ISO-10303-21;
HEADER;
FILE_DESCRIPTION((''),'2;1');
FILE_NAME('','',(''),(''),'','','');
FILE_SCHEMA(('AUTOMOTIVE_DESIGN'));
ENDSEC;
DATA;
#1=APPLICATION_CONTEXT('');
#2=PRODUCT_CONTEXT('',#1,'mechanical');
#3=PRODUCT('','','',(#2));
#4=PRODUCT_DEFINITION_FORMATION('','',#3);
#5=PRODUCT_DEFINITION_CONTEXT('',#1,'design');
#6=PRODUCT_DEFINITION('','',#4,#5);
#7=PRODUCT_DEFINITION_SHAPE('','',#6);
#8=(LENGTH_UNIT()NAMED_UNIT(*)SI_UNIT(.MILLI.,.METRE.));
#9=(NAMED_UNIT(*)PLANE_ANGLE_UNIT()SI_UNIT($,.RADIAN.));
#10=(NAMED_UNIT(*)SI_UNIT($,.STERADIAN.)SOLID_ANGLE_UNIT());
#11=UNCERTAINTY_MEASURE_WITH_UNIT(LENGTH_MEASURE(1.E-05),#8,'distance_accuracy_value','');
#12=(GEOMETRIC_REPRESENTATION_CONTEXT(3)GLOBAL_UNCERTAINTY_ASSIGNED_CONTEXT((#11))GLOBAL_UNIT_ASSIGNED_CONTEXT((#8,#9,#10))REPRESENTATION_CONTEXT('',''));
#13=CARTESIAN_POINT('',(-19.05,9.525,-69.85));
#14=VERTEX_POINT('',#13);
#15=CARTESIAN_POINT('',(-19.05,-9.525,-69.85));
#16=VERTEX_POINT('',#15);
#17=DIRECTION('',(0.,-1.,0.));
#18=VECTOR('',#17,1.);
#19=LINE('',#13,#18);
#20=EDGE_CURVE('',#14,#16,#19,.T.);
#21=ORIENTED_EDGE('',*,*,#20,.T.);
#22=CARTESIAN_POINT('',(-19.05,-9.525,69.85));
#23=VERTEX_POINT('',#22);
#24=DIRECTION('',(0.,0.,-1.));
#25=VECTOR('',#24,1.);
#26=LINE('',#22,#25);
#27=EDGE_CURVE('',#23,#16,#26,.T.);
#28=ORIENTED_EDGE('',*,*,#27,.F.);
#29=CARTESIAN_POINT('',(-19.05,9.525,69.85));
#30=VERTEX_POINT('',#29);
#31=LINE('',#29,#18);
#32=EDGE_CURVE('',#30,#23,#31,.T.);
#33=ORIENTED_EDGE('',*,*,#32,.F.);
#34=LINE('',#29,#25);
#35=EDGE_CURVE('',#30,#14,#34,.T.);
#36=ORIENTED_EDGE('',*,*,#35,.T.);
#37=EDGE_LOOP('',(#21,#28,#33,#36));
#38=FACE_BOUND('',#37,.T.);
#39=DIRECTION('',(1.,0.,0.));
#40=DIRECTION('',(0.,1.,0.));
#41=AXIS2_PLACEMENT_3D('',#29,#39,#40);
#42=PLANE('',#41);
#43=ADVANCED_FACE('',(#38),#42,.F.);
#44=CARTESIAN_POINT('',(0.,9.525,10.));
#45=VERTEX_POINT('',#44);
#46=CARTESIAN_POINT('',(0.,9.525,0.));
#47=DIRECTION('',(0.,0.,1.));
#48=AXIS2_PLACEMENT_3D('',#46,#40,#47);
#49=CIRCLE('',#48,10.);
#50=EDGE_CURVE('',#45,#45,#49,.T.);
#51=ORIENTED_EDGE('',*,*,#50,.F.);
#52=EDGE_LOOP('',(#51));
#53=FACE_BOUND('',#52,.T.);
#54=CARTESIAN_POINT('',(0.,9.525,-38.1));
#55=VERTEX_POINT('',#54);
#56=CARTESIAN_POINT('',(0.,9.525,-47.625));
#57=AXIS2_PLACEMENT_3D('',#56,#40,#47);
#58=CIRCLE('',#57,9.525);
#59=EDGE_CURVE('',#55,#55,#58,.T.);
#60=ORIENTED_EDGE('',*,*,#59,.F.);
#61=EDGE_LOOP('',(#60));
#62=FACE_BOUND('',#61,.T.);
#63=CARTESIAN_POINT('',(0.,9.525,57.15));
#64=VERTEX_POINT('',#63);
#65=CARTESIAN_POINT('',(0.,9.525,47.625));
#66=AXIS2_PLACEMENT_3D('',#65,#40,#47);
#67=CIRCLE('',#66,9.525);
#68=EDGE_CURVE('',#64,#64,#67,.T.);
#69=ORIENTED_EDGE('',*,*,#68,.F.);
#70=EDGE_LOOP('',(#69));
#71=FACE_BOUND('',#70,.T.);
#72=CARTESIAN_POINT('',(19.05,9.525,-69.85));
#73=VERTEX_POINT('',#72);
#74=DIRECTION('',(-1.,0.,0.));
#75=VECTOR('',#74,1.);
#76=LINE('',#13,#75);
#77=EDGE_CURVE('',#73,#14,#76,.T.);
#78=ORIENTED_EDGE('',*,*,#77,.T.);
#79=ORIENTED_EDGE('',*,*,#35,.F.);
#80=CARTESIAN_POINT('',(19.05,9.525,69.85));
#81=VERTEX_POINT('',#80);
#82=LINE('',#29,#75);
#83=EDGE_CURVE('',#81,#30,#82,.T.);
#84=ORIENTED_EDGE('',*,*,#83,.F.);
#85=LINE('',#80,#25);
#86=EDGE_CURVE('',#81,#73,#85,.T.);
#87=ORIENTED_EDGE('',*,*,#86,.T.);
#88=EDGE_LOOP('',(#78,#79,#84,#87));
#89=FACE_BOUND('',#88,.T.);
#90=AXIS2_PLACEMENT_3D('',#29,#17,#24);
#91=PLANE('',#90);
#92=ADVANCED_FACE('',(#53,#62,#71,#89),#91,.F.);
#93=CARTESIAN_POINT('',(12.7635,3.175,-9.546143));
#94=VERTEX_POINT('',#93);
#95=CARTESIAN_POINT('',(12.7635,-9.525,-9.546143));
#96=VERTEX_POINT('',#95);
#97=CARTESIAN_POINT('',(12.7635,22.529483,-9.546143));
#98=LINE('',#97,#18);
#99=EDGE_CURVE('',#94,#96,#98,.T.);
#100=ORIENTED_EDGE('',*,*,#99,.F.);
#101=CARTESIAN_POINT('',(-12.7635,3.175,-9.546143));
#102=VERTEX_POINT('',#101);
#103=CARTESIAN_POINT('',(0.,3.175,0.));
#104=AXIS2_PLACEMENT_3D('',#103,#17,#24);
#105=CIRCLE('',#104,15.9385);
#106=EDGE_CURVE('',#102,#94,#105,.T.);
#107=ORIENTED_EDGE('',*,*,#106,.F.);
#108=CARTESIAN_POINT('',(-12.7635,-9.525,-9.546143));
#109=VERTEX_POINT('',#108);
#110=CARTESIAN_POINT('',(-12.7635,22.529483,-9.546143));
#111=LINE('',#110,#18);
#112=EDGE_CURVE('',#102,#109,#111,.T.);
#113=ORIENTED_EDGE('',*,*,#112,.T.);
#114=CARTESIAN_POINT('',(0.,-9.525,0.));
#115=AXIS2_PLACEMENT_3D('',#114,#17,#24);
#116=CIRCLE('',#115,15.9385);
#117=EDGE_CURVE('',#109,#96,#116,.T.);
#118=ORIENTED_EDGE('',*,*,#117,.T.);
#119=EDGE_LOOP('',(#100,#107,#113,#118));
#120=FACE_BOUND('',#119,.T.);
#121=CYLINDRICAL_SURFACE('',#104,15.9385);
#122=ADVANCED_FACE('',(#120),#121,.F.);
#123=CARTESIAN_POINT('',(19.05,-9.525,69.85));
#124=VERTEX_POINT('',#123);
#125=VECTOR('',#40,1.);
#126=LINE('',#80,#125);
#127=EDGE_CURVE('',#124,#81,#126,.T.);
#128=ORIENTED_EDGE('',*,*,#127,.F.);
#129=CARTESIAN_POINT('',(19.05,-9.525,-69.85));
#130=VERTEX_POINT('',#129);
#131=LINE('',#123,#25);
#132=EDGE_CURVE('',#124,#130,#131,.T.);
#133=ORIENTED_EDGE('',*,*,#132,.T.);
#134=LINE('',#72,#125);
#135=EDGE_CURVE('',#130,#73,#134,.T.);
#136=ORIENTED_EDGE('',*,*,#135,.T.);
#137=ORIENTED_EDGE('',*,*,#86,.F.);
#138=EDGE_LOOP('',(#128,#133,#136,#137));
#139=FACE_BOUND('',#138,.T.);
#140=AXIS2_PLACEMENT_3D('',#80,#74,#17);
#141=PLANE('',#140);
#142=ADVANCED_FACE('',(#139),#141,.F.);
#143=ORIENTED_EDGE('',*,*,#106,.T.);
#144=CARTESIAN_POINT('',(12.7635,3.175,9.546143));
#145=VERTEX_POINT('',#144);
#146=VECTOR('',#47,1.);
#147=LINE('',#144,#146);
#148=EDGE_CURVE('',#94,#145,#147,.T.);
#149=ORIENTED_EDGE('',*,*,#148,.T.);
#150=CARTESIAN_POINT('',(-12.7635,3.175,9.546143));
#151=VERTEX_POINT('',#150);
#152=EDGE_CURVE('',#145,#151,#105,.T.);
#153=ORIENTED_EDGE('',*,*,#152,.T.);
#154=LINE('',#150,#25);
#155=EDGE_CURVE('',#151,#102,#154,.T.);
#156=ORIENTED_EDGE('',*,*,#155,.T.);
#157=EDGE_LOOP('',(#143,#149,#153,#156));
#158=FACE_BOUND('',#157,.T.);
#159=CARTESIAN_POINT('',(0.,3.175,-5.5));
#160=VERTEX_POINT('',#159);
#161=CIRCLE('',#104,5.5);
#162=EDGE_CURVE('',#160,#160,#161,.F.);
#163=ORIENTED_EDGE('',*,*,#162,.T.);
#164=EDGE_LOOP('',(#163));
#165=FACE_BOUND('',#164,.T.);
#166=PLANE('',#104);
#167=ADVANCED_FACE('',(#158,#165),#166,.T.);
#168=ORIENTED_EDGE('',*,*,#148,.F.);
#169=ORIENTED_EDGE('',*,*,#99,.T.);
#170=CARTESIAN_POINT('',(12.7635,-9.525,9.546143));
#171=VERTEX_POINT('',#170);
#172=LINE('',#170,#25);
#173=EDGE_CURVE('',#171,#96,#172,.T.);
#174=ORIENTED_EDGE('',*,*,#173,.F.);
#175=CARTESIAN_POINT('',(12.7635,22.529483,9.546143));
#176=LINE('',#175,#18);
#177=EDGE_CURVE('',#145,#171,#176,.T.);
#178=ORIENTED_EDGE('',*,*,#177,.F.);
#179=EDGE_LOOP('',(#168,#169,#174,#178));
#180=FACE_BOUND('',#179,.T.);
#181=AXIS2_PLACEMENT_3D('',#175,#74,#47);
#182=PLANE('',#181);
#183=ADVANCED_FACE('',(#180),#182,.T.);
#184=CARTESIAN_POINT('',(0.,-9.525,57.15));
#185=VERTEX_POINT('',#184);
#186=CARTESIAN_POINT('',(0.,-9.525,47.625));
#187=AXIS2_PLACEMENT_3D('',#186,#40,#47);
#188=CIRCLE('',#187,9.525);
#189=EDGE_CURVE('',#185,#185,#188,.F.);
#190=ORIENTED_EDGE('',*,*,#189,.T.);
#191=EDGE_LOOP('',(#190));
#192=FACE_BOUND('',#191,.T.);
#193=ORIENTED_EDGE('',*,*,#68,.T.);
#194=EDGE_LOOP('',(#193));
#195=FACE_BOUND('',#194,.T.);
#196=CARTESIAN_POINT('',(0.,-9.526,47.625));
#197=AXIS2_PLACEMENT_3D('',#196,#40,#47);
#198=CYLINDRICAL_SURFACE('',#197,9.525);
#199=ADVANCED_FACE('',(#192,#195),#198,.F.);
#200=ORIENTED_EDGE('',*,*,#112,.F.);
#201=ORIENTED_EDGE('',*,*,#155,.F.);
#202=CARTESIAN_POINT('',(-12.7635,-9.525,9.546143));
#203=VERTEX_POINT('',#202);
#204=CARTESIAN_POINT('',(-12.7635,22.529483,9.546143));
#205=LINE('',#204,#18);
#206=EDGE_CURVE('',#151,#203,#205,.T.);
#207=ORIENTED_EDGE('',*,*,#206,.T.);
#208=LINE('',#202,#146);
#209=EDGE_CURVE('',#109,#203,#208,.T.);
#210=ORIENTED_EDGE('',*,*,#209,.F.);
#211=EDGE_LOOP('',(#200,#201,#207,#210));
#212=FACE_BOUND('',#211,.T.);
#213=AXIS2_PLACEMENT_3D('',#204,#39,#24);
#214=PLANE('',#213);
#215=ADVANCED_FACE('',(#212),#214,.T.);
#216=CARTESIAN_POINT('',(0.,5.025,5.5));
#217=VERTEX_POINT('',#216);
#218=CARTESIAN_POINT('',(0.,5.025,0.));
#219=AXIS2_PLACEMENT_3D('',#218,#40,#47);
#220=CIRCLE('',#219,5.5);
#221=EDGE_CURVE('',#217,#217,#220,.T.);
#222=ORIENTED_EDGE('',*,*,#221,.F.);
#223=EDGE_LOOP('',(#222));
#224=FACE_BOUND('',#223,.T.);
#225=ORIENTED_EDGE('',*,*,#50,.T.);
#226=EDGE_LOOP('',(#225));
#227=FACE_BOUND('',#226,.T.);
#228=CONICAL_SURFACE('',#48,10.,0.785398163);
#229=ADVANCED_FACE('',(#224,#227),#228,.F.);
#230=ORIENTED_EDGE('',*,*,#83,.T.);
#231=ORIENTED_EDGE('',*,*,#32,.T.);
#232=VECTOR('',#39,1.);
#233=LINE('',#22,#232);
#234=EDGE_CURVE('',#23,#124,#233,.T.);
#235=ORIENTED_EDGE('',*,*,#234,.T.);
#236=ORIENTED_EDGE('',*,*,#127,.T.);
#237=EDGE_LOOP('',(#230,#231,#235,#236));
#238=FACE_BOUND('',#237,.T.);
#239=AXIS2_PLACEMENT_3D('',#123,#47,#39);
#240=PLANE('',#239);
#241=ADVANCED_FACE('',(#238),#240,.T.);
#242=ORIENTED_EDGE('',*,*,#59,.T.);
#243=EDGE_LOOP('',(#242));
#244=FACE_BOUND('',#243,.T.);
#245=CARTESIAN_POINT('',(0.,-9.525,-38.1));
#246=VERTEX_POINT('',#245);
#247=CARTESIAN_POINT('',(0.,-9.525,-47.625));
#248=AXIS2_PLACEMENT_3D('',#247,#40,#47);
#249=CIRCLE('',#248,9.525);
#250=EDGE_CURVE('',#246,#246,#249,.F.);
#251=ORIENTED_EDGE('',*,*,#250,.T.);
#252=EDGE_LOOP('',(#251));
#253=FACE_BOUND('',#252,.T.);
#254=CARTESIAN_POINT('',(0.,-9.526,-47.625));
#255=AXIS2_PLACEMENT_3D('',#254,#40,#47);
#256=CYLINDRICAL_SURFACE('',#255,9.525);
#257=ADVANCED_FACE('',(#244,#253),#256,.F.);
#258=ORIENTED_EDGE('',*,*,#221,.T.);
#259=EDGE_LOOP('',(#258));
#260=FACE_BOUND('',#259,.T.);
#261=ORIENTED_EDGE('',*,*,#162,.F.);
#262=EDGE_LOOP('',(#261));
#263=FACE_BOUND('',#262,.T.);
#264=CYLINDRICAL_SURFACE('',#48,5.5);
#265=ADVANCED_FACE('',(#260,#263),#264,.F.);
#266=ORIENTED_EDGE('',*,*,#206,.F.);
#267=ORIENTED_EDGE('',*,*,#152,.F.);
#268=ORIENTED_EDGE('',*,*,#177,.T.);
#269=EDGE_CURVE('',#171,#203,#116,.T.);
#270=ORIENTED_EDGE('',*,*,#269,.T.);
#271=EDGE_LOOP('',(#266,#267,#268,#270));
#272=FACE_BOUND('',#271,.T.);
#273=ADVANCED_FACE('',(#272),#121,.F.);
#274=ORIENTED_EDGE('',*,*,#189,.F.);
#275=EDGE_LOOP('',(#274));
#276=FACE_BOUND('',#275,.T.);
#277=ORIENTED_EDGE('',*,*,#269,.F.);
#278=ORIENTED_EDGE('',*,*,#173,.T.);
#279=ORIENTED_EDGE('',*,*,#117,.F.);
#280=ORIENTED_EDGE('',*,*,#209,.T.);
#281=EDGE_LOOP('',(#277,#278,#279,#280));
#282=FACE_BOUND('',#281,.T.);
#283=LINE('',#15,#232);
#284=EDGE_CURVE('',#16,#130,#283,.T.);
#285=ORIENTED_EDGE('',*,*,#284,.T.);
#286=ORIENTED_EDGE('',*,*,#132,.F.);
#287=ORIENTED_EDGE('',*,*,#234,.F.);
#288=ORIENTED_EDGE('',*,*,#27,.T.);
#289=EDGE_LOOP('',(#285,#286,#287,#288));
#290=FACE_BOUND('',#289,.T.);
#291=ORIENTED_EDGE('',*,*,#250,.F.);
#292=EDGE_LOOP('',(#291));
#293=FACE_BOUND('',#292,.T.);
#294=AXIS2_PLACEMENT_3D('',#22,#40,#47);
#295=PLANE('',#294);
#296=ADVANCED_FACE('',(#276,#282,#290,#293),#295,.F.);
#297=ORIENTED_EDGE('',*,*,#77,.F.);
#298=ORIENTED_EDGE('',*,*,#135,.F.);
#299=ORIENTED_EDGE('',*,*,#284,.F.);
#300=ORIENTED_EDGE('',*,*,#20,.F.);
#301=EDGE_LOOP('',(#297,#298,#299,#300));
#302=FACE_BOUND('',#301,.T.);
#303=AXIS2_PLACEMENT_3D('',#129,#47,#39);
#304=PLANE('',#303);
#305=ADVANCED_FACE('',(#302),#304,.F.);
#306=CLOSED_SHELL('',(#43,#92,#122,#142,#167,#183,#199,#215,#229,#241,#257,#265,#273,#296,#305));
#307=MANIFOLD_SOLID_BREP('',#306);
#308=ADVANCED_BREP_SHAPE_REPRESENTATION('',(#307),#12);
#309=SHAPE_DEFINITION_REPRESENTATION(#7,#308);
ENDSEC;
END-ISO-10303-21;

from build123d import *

# Parameters (mm, degrees)
SKETCH1_W                                        = 38.1
SKETCH1_H                                        = 19.05
EXTRUDE1_DEPTH                                   = 69.85
CUT_EXTRUDE1_REACH                               = 21.05
SKETCH2_R                                        = 9.525
CSK_FOR_M10_FLAT_HEAD_MACHINE_SCREW1_D           = 11
CSK_FOR_M10_FLAT_HEAD_MACHINE_SCREW1_DEPTH       = 29.464
CSK_FOR_M10_FLAT_HEAD_MACHINE_SCREW1_CSINK_D     = 20
CSK_FOR_M10_FLAT_HEAD_MACHINE_SCREW1_CSINK_ANGLE = 90
CSK_FOR_M10_FLAT_HEAD_MACHINE_SCREW1_TIP         = 3.304733405
SKETCH5_R                                        = 15.9385
CUT_EXTRUDE2_DEPTH                               = 12.7
BOSS_EXTRUDE1_DEPTH                              = 12.7


with BuildPart() as part:
    # Sketch1 → Extrude1 (new body, symmetric)
    with BuildSketch(Plane.XY):
        Rectangle(SKETCH1_W, SKETCH1_H)
    extrude(amount=EXTRUDE1_DEPTH, both=True)

    # Sketch2 → Cut-Extrude1 (cut, up to next)
    with BuildSketch(Plane(origin=(0, 9.525, 0), x_dir=(1, 0, 0), z_dir=(0, 1, 0)), mode=Mode.PRIVATE) as cut_extrude1_sk1:
        with Locations((0, 47.625)):
            Circle(SKETCH2_R)
    cut_extrude1_tool1 = extrude(cut_extrude1_sk1.sketch, amount=-CUT_EXTRUDE1_REACH, mode=Mode.PRIVATE) & part.part
    add(cut_extrude1_tool1.solids().sort_by_distance((0, 9.525, -47.625))[0], mode=Mode.SUBTRACT)
    # Sketch2 → Cut-Extrude1 (cut, up to next)
    with BuildSketch(Plane(origin=(0, 9.525, 0), x_dir=(1, 0, 0), z_dir=(0, 1, 0)), mode=Mode.PRIVATE) as cut_extrude1_sk2:
        with Locations((0, -47.625)):
            Circle(SKETCH2_R)
    cut_extrude1_tool2 = extrude(cut_extrude1_sk2.sketch, amount=-CUT_EXTRUDE1_REACH, mode=Mode.PRIVATE) & part.part
    add(cut_extrude1_tool2.solids().sort_by_distance((0, 9.525, 47.625))[0], mode=Mode.SUBTRACT)

    # CSK for M10 Flat Head Machine Screw1
    with Locations(Plane(origin=(0, 9.525, 0), x_dir=(-1, 0, 0), z_dir=(0, 1, 0))):
        with Locations((0, 0)):
            CounterSinkHole(CSK_FOR_M10_FLAT_HEAD_MACHINE_SCREW1_D / 2, CSK_FOR_M10_FLAT_HEAD_MACHINE_SCREW1_CSINK_D / 2, depth=CSK_FOR_M10_FLAT_HEAD_MACHINE_SCREW1_DEPTH, counter_sink_angle=CSK_FOR_M10_FLAT_HEAD_MACHINE_SCREW1_CSINK_ANGLE)
            with Locations((0, 0, -(CSK_FOR_M10_FLAT_HEAD_MACHINE_SCREW1_DEPTH + CSK_FOR_M10_FLAT_HEAD_MACHINE_SCREW1_TIP / 2))):  # 118° drill point
                Cone(0, CSK_FOR_M10_FLAT_HEAD_MACHINE_SCREW1_D / 2, CSK_FOR_M10_FLAT_HEAD_MACHINE_SCREW1_TIP, mode=Mode.SUBTRACT)

    # Sketch5 → Cut-Extrude2 (cut)
    with BuildSketch(Plane.XZ.offset(9.525)):
        Circle(SKETCH5_R)
    extrude(amount=-CUT_EXTRUDE2_DEPTH, mode=Mode.SUBTRACT)

    # Sketch6 → Boss-Extrude1 (add)
    with BuildSketch(Plane.XZ.offset(9.525)):
        with BuildLine():
            Line((-12.7635, 9.5461432), (-12.7635, -9.5461432))
            ThreePointArc((-12.7635, -9.5461432), (-15.9385, 0), (-12.7635, 9.5461432))
        make_face()
        with BuildLine():
            Line((12.7635, 9.5461432), (12.7635, -9.5461432))
            ThreePointArc((12.7635, -9.5461432), (15.9385, 0), (12.7635, 9.5461432))
        make_face()
    extrude(amount=-BOSS_EXTRUDE1_DEPTH)


solid = part.part
